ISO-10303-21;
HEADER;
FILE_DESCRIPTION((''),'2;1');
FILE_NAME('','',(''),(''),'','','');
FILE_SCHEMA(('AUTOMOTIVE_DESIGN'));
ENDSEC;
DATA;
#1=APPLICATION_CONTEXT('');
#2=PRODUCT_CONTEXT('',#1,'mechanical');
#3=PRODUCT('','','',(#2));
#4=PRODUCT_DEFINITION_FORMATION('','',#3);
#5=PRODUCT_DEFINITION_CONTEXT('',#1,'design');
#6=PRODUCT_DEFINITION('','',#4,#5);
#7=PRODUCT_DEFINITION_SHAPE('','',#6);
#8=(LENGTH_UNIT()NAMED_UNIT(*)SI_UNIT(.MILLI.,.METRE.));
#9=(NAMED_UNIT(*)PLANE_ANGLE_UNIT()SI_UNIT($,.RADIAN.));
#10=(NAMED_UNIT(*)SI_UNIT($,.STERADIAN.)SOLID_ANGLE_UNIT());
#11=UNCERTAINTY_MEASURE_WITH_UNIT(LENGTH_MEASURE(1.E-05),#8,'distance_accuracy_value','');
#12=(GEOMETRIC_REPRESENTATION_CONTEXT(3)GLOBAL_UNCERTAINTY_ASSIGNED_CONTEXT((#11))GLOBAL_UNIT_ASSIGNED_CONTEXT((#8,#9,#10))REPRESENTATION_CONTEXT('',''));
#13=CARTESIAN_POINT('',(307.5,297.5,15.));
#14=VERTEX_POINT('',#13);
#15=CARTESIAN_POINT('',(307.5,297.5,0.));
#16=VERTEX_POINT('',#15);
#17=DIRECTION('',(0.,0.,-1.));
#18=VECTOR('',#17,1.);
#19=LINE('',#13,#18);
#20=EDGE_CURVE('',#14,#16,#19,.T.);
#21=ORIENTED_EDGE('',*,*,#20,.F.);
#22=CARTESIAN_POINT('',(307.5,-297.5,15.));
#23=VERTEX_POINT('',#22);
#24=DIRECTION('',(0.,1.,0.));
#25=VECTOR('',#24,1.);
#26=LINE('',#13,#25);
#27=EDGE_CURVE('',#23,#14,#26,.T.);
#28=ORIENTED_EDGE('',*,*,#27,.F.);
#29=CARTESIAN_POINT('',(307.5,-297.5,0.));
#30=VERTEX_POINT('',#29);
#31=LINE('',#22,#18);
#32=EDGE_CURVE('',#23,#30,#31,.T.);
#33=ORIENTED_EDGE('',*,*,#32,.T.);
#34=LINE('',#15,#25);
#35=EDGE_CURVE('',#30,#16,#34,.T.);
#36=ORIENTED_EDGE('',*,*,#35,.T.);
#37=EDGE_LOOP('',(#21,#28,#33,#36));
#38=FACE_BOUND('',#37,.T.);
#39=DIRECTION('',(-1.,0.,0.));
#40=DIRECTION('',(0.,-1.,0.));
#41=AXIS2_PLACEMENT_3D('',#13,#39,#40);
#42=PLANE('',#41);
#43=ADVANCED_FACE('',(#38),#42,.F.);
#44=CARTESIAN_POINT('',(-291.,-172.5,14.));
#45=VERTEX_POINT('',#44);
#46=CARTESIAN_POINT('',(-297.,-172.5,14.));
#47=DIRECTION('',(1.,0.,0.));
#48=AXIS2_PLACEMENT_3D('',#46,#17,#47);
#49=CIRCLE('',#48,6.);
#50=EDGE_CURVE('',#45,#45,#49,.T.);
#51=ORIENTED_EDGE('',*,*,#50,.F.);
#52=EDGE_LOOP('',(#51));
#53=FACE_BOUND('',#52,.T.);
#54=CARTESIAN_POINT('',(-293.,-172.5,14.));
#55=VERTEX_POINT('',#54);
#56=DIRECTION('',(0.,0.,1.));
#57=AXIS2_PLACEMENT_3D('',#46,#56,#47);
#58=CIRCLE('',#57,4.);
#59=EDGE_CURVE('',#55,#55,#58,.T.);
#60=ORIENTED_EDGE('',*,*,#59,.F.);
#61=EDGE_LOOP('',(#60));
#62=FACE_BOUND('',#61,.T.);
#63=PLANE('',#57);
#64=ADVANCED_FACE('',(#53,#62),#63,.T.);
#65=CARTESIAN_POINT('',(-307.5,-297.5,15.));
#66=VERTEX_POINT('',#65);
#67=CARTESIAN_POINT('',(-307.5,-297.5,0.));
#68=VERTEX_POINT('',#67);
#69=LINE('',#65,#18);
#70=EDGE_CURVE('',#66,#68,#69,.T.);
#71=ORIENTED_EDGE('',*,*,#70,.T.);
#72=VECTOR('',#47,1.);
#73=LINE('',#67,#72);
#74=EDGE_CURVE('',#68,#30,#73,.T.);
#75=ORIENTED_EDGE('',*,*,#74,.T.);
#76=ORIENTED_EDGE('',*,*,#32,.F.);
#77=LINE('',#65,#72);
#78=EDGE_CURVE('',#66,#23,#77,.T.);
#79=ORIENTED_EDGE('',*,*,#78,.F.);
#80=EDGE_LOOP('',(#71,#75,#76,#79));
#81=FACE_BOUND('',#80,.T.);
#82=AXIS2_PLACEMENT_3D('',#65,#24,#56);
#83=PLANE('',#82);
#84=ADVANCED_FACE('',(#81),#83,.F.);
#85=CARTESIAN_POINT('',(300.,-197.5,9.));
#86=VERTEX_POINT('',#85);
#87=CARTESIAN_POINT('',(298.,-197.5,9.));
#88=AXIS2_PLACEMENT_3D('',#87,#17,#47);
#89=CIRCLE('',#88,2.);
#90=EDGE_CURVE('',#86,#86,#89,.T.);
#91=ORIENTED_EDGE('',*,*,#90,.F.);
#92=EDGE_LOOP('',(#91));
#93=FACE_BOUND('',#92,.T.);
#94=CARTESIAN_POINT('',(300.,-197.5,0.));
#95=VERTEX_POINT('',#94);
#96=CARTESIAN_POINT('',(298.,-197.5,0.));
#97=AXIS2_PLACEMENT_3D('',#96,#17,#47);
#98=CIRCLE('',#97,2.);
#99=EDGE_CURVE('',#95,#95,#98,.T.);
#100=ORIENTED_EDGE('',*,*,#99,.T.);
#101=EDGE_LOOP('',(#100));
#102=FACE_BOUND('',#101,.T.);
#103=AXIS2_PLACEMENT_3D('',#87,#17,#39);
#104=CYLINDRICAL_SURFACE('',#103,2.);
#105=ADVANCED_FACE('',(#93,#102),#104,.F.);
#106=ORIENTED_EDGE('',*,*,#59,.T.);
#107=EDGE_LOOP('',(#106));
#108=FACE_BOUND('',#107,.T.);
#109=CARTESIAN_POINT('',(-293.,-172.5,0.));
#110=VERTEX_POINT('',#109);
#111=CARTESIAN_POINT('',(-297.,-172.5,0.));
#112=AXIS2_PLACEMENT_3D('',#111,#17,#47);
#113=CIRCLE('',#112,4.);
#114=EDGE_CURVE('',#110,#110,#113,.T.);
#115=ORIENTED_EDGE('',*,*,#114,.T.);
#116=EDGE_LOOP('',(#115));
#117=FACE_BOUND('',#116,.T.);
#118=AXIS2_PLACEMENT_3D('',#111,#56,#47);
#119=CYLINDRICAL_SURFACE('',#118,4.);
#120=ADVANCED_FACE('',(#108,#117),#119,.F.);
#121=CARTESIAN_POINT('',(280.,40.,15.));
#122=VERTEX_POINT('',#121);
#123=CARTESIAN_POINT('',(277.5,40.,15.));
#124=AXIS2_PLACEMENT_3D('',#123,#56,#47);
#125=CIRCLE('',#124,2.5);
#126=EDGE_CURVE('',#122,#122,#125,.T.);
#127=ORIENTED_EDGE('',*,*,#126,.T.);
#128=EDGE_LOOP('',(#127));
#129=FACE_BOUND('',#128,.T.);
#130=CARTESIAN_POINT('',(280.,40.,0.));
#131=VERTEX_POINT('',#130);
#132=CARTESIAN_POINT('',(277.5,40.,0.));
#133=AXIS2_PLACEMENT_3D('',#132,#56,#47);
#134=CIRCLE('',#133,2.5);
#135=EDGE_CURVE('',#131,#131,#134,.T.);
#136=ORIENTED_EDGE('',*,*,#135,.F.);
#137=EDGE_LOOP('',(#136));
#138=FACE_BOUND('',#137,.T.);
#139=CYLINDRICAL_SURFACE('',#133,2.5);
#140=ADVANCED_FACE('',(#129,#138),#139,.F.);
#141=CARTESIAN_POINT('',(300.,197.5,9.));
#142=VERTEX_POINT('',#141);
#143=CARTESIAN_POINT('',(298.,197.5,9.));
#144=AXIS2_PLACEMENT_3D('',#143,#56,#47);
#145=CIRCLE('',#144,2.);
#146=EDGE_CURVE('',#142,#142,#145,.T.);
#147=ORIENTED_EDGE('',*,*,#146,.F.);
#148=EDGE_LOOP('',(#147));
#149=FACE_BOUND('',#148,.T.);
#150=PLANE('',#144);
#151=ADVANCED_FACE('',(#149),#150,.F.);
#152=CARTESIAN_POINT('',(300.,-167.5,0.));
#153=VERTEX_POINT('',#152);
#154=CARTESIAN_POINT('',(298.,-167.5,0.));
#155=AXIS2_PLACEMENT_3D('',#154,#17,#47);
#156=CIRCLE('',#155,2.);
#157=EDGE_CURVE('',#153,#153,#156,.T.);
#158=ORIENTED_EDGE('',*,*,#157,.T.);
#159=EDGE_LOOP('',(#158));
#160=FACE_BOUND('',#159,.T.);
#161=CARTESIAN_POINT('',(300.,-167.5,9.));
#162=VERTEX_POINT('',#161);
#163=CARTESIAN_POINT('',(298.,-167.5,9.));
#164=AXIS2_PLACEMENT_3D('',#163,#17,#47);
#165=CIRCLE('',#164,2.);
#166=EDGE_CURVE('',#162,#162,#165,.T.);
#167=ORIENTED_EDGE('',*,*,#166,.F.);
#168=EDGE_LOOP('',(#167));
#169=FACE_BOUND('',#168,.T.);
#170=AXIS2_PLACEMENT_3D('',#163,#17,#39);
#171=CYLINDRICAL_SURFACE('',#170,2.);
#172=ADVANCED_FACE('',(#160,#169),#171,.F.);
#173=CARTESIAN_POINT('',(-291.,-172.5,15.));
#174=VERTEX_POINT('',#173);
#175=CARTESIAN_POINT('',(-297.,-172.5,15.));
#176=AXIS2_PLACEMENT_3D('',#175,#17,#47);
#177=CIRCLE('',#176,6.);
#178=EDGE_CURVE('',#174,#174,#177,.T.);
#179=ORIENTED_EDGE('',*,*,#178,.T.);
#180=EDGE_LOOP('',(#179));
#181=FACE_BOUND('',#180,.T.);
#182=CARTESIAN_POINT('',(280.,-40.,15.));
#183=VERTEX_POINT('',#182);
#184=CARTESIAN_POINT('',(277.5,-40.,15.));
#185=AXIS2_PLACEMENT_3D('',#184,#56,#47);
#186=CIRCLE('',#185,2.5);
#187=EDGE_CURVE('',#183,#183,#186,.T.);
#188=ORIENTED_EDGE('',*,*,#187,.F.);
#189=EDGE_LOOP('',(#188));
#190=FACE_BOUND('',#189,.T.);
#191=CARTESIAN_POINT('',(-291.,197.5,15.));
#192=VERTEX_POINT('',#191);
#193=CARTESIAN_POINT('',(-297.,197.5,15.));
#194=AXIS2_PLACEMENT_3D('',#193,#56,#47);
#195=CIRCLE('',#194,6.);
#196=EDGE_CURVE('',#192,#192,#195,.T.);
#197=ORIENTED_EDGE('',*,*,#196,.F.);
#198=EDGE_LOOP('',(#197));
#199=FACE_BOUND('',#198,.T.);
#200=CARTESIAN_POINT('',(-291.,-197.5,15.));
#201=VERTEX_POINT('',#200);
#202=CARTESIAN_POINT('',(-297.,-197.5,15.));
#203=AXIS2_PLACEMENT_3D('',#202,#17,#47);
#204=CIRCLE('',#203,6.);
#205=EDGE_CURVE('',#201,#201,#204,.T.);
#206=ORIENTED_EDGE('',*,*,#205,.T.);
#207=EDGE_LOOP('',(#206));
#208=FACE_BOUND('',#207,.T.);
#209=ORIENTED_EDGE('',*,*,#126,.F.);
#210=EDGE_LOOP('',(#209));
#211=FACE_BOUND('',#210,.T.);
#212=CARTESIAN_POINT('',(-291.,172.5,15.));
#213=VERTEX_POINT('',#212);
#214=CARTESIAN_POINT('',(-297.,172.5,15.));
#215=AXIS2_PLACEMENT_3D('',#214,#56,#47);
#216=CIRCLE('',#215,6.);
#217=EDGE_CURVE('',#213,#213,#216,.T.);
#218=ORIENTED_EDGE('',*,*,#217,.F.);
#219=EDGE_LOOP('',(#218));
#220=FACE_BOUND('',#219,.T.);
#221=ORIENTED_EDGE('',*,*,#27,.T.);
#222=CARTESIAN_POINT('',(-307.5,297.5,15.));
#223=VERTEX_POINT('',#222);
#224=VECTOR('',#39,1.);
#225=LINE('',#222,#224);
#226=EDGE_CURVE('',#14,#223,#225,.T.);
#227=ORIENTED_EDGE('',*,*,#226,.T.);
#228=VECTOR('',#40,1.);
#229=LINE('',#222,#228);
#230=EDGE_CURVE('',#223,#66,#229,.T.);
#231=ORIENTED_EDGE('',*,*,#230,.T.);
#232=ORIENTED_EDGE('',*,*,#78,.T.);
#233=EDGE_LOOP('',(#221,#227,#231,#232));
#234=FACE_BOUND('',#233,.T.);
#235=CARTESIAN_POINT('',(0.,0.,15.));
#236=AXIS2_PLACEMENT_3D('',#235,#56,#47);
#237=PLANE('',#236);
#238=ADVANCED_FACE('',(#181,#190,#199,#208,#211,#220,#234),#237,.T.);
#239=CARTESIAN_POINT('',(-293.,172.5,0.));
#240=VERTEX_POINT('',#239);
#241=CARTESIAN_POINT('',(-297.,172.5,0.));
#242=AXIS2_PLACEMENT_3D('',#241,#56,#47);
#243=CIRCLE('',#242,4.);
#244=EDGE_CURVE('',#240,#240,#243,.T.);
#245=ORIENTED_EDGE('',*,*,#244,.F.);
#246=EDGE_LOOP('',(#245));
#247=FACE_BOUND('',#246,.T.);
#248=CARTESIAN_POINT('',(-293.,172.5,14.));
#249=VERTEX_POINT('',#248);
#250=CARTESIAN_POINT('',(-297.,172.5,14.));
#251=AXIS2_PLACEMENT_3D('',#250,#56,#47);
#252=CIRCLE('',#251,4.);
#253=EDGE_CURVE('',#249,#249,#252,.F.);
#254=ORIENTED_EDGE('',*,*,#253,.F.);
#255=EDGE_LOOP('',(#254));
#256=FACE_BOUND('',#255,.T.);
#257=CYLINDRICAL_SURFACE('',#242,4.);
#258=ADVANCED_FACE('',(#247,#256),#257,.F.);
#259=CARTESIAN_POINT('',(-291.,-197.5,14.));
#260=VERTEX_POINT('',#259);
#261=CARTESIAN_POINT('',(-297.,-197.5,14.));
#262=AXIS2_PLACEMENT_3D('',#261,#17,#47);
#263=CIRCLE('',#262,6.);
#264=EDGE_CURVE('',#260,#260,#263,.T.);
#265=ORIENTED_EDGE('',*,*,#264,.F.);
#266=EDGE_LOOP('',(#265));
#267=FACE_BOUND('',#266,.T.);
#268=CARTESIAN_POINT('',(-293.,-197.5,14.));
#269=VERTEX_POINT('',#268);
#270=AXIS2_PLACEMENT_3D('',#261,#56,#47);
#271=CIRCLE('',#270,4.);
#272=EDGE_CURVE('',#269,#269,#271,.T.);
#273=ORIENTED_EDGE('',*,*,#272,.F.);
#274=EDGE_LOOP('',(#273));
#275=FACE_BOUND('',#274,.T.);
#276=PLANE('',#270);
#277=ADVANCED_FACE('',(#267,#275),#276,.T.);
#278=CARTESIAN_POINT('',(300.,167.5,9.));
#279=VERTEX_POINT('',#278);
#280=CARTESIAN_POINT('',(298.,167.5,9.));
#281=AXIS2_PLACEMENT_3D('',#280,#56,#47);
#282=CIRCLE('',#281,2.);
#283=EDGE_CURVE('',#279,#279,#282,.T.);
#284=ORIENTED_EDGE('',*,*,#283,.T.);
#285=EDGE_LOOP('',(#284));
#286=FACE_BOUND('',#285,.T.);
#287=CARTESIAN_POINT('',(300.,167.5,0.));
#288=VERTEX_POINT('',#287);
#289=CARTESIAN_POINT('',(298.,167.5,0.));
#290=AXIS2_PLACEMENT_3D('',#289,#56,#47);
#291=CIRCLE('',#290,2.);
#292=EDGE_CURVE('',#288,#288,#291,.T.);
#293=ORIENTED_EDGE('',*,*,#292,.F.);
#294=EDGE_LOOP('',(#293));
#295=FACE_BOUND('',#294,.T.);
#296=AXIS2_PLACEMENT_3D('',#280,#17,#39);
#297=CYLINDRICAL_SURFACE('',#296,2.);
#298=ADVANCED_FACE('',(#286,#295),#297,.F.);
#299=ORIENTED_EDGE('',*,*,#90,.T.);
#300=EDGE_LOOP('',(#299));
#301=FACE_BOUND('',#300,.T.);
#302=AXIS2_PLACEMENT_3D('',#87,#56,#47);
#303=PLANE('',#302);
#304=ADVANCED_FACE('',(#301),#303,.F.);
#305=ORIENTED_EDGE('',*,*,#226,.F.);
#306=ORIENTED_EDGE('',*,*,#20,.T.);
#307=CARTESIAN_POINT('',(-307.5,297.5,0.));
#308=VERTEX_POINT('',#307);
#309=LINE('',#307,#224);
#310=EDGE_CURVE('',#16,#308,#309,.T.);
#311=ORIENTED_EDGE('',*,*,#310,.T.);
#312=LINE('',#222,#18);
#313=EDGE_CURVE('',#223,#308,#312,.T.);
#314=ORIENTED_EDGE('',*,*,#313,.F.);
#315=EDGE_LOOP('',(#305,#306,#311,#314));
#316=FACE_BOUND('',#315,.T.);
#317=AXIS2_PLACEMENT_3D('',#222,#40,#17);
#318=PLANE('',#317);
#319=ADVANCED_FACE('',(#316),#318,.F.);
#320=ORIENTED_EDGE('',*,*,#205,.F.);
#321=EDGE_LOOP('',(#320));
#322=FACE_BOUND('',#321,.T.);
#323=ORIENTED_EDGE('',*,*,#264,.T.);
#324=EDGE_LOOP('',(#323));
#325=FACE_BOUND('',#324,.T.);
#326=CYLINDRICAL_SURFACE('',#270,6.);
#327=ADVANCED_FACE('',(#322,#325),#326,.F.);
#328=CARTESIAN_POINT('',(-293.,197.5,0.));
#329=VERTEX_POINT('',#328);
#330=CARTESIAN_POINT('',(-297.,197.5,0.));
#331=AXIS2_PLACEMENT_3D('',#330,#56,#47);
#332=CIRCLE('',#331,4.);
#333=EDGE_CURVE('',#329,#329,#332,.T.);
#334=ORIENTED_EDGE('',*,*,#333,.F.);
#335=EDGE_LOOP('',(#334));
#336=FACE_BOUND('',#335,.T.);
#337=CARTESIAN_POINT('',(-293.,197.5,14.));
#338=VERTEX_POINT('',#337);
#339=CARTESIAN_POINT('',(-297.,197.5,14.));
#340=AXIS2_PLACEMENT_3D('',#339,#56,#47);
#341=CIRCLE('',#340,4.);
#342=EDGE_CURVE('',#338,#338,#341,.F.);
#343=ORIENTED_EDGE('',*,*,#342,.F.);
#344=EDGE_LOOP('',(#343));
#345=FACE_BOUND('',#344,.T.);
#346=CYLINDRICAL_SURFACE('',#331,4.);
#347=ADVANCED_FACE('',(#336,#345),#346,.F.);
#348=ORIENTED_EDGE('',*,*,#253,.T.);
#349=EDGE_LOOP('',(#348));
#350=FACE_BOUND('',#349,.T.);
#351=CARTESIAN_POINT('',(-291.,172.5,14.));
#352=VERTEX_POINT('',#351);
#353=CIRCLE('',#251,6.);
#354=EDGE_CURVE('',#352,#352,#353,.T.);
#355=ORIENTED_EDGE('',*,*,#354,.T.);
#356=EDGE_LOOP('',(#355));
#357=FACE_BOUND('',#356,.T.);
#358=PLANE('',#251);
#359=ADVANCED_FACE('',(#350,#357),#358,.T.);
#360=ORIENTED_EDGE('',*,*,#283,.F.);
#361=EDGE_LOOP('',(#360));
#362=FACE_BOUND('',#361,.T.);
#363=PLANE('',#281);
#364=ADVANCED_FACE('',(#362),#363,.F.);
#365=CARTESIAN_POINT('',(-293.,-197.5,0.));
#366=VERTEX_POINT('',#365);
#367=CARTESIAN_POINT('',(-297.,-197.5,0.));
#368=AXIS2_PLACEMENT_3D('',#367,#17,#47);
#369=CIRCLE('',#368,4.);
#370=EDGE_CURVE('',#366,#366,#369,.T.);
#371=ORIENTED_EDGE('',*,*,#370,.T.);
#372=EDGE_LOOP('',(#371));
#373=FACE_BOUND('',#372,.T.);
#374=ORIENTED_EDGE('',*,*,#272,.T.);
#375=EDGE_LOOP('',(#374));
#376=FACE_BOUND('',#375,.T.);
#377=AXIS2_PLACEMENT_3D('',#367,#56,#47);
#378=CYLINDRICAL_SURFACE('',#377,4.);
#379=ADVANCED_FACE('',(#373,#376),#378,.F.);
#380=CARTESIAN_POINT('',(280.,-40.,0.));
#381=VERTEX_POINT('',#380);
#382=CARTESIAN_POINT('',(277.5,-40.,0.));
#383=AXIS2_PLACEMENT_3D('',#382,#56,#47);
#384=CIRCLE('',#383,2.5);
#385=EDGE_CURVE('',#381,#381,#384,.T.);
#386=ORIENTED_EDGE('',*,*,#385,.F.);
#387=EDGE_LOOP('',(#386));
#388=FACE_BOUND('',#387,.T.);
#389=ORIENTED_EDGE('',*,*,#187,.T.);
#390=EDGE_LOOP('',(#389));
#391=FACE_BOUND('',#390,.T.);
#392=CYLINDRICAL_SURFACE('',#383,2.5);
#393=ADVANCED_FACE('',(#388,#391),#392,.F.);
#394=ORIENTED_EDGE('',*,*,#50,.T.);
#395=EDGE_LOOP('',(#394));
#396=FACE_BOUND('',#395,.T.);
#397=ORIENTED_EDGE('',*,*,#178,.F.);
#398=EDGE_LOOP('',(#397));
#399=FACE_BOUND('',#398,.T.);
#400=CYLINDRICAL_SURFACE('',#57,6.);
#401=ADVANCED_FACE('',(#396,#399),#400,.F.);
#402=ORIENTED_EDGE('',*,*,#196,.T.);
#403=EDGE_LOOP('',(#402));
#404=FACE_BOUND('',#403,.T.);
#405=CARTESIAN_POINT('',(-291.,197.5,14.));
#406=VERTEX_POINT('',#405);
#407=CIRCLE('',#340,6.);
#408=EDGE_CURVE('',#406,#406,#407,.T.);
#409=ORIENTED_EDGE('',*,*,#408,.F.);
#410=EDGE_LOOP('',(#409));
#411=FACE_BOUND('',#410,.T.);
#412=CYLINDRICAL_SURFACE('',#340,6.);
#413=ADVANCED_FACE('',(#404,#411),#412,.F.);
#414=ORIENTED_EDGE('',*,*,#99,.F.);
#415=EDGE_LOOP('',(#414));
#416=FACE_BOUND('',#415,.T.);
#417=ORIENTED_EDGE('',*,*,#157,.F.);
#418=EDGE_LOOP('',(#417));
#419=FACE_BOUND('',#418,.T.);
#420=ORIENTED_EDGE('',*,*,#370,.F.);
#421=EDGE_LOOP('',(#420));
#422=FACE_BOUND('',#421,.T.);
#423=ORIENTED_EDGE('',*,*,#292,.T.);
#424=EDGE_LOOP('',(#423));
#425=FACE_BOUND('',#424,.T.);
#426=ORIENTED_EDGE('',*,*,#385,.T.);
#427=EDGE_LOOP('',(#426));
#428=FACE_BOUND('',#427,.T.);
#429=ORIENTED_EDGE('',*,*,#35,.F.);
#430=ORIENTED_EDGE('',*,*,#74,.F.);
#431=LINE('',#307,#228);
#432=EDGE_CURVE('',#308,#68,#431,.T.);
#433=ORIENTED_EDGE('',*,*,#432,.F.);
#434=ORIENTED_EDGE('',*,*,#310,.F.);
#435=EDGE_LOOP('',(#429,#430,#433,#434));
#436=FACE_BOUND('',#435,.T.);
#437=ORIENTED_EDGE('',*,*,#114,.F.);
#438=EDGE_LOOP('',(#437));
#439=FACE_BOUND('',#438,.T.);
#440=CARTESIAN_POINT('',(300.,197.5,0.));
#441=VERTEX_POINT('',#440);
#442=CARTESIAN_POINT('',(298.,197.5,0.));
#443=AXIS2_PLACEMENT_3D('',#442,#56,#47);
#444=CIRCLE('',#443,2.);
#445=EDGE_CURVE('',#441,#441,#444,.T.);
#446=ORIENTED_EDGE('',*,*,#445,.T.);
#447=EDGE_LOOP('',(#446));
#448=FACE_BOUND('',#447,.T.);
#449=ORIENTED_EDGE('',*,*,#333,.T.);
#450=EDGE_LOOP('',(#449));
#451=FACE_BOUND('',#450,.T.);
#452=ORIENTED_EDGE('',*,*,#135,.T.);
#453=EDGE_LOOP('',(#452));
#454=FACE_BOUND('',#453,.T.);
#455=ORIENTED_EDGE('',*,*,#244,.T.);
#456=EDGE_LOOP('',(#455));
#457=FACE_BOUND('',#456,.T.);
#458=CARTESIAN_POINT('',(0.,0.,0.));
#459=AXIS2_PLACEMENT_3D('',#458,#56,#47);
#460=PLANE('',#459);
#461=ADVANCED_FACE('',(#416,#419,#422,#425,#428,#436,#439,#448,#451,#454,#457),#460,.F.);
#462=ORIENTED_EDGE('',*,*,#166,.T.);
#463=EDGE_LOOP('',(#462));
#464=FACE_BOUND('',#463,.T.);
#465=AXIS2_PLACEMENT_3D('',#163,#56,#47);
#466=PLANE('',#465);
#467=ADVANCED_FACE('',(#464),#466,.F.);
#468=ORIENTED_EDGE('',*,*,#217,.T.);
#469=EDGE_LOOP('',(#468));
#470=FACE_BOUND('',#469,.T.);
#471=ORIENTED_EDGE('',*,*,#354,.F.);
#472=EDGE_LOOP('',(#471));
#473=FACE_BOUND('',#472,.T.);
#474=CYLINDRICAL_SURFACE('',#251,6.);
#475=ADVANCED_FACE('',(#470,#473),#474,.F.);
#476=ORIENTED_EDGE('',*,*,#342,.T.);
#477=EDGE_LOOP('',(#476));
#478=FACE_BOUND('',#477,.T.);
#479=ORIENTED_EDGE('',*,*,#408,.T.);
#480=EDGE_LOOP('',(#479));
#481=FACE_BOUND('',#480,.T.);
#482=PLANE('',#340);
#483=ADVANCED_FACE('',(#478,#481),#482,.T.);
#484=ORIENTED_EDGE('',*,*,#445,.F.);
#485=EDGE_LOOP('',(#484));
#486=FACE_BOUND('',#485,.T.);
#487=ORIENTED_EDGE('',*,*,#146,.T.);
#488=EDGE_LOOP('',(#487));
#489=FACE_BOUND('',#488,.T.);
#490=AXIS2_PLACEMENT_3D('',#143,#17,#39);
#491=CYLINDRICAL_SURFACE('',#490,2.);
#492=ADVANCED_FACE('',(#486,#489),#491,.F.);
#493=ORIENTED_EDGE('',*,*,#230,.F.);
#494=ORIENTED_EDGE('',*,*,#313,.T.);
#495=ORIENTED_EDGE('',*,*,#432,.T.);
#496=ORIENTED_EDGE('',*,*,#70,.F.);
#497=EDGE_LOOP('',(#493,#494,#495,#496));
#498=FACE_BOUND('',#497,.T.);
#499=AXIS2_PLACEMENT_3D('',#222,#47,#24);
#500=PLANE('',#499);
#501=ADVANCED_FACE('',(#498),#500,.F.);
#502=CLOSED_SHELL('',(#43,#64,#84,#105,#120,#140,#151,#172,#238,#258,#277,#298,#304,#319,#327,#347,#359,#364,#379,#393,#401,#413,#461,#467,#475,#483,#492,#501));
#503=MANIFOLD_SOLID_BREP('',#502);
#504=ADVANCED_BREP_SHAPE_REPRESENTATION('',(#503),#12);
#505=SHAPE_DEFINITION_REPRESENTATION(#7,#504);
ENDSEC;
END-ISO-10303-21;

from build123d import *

# Parameters (mm, degrees)
SKETCH_1_W          = 615
SKETCH_1_H          = 595
EXTRUDE_1_DEPTH     = 15
SKETCH_2_R          = 4
CUT_EXTRUDE_2_DEPTH = 16
SKETCH_3_R          = 6
CUT_EXTRUDE_4_DEPTH = 1
SKETCH_4_R          = 2.5
CUT_EXTRUDE_5_DEPTH = 16
SKETCH_5_R          = 2
CUT_EXTRUDE_6_DEPTH = 9


with BuildPart() as part:
    # Sketch 1 → Extrude 1 (new body)
    with BuildSketch(Plane.XY):
        Rectangle(SKETCH_1_W, SKETCH_1_H)
    extrude(amount=EXTRUDE_1_DEPTH)

    # Sketch 2 → Cut-Extrude 2 (cut, through all)
    with BuildSketch(Plane.XY.offset(15)):
        with Locations((-297, 197.5)):
            Circle(SKETCH_2_R)
        with Locations((-297, 172.5)):
            Circle(SKETCH_2_R)
    cut_extrude_2 = extrude(amount=-CUT_EXTRUDE_2_DEPTH, mode=Mode.SUBTRACT)

    # Mirror 2: Cut-Extrude 2 across plane
    add(cut_extrude_2.mirror(Plane.ZX), mode=Mode.SUBTRACT)

    # Sketch 3 → Cut-Extrude 4 (cut)
    with BuildSketch(Plane.XY.offset(15)):
        with Locations((-297, 197.5)):
            Circle(SKETCH_3_R)
        with Locations((-297, 172.5)):
            Circle(SKETCH_3_R)
    cut_extrude_4 = extrude(amount=-CUT_EXTRUDE_4_DEPTH, mode=Mode.SUBTRACT)

    # Mirror 4: Cut-Extrude 4 across plane
    add(cut_extrude_4.mirror(Plane.ZX), mode=Mode.SUBTRACT)

    # Sketch 4 → Cut-Extrude 5 (cut, through all)
    with BuildSketch(Plane.XY.offset(15)):
        with Locations((277.5, 40)):
            Circle(SKETCH_4_R)
        with Locations((277.5, -40)):
            Circle(SKETCH_4_R)
    extrude(amount=-CUT_EXTRUDE_5_DEPTH, mode=Mode.SUBTRACT)

    # Sketch 5 → Cut-Extrude 6 (cut)
    with BuildSketch(Plane.XY):
        with Locations((298, 197.5)):
            Circle(SKETCH_5_R)
        with Locations((298, 167.5)):
            Circle(SKETCH_5_R)
    cut_extrude_6 = extrude(amount=CUT_EXTRUDE_6_DEPTH, mode=Mode.SUBTRACT)

    # Mirror 5: Cut-Extrude 6 across plane
    add(cut_extrude_6.mirror(Plane.ZX), mode=Mode.SUBTRACT)


solid = part.part
